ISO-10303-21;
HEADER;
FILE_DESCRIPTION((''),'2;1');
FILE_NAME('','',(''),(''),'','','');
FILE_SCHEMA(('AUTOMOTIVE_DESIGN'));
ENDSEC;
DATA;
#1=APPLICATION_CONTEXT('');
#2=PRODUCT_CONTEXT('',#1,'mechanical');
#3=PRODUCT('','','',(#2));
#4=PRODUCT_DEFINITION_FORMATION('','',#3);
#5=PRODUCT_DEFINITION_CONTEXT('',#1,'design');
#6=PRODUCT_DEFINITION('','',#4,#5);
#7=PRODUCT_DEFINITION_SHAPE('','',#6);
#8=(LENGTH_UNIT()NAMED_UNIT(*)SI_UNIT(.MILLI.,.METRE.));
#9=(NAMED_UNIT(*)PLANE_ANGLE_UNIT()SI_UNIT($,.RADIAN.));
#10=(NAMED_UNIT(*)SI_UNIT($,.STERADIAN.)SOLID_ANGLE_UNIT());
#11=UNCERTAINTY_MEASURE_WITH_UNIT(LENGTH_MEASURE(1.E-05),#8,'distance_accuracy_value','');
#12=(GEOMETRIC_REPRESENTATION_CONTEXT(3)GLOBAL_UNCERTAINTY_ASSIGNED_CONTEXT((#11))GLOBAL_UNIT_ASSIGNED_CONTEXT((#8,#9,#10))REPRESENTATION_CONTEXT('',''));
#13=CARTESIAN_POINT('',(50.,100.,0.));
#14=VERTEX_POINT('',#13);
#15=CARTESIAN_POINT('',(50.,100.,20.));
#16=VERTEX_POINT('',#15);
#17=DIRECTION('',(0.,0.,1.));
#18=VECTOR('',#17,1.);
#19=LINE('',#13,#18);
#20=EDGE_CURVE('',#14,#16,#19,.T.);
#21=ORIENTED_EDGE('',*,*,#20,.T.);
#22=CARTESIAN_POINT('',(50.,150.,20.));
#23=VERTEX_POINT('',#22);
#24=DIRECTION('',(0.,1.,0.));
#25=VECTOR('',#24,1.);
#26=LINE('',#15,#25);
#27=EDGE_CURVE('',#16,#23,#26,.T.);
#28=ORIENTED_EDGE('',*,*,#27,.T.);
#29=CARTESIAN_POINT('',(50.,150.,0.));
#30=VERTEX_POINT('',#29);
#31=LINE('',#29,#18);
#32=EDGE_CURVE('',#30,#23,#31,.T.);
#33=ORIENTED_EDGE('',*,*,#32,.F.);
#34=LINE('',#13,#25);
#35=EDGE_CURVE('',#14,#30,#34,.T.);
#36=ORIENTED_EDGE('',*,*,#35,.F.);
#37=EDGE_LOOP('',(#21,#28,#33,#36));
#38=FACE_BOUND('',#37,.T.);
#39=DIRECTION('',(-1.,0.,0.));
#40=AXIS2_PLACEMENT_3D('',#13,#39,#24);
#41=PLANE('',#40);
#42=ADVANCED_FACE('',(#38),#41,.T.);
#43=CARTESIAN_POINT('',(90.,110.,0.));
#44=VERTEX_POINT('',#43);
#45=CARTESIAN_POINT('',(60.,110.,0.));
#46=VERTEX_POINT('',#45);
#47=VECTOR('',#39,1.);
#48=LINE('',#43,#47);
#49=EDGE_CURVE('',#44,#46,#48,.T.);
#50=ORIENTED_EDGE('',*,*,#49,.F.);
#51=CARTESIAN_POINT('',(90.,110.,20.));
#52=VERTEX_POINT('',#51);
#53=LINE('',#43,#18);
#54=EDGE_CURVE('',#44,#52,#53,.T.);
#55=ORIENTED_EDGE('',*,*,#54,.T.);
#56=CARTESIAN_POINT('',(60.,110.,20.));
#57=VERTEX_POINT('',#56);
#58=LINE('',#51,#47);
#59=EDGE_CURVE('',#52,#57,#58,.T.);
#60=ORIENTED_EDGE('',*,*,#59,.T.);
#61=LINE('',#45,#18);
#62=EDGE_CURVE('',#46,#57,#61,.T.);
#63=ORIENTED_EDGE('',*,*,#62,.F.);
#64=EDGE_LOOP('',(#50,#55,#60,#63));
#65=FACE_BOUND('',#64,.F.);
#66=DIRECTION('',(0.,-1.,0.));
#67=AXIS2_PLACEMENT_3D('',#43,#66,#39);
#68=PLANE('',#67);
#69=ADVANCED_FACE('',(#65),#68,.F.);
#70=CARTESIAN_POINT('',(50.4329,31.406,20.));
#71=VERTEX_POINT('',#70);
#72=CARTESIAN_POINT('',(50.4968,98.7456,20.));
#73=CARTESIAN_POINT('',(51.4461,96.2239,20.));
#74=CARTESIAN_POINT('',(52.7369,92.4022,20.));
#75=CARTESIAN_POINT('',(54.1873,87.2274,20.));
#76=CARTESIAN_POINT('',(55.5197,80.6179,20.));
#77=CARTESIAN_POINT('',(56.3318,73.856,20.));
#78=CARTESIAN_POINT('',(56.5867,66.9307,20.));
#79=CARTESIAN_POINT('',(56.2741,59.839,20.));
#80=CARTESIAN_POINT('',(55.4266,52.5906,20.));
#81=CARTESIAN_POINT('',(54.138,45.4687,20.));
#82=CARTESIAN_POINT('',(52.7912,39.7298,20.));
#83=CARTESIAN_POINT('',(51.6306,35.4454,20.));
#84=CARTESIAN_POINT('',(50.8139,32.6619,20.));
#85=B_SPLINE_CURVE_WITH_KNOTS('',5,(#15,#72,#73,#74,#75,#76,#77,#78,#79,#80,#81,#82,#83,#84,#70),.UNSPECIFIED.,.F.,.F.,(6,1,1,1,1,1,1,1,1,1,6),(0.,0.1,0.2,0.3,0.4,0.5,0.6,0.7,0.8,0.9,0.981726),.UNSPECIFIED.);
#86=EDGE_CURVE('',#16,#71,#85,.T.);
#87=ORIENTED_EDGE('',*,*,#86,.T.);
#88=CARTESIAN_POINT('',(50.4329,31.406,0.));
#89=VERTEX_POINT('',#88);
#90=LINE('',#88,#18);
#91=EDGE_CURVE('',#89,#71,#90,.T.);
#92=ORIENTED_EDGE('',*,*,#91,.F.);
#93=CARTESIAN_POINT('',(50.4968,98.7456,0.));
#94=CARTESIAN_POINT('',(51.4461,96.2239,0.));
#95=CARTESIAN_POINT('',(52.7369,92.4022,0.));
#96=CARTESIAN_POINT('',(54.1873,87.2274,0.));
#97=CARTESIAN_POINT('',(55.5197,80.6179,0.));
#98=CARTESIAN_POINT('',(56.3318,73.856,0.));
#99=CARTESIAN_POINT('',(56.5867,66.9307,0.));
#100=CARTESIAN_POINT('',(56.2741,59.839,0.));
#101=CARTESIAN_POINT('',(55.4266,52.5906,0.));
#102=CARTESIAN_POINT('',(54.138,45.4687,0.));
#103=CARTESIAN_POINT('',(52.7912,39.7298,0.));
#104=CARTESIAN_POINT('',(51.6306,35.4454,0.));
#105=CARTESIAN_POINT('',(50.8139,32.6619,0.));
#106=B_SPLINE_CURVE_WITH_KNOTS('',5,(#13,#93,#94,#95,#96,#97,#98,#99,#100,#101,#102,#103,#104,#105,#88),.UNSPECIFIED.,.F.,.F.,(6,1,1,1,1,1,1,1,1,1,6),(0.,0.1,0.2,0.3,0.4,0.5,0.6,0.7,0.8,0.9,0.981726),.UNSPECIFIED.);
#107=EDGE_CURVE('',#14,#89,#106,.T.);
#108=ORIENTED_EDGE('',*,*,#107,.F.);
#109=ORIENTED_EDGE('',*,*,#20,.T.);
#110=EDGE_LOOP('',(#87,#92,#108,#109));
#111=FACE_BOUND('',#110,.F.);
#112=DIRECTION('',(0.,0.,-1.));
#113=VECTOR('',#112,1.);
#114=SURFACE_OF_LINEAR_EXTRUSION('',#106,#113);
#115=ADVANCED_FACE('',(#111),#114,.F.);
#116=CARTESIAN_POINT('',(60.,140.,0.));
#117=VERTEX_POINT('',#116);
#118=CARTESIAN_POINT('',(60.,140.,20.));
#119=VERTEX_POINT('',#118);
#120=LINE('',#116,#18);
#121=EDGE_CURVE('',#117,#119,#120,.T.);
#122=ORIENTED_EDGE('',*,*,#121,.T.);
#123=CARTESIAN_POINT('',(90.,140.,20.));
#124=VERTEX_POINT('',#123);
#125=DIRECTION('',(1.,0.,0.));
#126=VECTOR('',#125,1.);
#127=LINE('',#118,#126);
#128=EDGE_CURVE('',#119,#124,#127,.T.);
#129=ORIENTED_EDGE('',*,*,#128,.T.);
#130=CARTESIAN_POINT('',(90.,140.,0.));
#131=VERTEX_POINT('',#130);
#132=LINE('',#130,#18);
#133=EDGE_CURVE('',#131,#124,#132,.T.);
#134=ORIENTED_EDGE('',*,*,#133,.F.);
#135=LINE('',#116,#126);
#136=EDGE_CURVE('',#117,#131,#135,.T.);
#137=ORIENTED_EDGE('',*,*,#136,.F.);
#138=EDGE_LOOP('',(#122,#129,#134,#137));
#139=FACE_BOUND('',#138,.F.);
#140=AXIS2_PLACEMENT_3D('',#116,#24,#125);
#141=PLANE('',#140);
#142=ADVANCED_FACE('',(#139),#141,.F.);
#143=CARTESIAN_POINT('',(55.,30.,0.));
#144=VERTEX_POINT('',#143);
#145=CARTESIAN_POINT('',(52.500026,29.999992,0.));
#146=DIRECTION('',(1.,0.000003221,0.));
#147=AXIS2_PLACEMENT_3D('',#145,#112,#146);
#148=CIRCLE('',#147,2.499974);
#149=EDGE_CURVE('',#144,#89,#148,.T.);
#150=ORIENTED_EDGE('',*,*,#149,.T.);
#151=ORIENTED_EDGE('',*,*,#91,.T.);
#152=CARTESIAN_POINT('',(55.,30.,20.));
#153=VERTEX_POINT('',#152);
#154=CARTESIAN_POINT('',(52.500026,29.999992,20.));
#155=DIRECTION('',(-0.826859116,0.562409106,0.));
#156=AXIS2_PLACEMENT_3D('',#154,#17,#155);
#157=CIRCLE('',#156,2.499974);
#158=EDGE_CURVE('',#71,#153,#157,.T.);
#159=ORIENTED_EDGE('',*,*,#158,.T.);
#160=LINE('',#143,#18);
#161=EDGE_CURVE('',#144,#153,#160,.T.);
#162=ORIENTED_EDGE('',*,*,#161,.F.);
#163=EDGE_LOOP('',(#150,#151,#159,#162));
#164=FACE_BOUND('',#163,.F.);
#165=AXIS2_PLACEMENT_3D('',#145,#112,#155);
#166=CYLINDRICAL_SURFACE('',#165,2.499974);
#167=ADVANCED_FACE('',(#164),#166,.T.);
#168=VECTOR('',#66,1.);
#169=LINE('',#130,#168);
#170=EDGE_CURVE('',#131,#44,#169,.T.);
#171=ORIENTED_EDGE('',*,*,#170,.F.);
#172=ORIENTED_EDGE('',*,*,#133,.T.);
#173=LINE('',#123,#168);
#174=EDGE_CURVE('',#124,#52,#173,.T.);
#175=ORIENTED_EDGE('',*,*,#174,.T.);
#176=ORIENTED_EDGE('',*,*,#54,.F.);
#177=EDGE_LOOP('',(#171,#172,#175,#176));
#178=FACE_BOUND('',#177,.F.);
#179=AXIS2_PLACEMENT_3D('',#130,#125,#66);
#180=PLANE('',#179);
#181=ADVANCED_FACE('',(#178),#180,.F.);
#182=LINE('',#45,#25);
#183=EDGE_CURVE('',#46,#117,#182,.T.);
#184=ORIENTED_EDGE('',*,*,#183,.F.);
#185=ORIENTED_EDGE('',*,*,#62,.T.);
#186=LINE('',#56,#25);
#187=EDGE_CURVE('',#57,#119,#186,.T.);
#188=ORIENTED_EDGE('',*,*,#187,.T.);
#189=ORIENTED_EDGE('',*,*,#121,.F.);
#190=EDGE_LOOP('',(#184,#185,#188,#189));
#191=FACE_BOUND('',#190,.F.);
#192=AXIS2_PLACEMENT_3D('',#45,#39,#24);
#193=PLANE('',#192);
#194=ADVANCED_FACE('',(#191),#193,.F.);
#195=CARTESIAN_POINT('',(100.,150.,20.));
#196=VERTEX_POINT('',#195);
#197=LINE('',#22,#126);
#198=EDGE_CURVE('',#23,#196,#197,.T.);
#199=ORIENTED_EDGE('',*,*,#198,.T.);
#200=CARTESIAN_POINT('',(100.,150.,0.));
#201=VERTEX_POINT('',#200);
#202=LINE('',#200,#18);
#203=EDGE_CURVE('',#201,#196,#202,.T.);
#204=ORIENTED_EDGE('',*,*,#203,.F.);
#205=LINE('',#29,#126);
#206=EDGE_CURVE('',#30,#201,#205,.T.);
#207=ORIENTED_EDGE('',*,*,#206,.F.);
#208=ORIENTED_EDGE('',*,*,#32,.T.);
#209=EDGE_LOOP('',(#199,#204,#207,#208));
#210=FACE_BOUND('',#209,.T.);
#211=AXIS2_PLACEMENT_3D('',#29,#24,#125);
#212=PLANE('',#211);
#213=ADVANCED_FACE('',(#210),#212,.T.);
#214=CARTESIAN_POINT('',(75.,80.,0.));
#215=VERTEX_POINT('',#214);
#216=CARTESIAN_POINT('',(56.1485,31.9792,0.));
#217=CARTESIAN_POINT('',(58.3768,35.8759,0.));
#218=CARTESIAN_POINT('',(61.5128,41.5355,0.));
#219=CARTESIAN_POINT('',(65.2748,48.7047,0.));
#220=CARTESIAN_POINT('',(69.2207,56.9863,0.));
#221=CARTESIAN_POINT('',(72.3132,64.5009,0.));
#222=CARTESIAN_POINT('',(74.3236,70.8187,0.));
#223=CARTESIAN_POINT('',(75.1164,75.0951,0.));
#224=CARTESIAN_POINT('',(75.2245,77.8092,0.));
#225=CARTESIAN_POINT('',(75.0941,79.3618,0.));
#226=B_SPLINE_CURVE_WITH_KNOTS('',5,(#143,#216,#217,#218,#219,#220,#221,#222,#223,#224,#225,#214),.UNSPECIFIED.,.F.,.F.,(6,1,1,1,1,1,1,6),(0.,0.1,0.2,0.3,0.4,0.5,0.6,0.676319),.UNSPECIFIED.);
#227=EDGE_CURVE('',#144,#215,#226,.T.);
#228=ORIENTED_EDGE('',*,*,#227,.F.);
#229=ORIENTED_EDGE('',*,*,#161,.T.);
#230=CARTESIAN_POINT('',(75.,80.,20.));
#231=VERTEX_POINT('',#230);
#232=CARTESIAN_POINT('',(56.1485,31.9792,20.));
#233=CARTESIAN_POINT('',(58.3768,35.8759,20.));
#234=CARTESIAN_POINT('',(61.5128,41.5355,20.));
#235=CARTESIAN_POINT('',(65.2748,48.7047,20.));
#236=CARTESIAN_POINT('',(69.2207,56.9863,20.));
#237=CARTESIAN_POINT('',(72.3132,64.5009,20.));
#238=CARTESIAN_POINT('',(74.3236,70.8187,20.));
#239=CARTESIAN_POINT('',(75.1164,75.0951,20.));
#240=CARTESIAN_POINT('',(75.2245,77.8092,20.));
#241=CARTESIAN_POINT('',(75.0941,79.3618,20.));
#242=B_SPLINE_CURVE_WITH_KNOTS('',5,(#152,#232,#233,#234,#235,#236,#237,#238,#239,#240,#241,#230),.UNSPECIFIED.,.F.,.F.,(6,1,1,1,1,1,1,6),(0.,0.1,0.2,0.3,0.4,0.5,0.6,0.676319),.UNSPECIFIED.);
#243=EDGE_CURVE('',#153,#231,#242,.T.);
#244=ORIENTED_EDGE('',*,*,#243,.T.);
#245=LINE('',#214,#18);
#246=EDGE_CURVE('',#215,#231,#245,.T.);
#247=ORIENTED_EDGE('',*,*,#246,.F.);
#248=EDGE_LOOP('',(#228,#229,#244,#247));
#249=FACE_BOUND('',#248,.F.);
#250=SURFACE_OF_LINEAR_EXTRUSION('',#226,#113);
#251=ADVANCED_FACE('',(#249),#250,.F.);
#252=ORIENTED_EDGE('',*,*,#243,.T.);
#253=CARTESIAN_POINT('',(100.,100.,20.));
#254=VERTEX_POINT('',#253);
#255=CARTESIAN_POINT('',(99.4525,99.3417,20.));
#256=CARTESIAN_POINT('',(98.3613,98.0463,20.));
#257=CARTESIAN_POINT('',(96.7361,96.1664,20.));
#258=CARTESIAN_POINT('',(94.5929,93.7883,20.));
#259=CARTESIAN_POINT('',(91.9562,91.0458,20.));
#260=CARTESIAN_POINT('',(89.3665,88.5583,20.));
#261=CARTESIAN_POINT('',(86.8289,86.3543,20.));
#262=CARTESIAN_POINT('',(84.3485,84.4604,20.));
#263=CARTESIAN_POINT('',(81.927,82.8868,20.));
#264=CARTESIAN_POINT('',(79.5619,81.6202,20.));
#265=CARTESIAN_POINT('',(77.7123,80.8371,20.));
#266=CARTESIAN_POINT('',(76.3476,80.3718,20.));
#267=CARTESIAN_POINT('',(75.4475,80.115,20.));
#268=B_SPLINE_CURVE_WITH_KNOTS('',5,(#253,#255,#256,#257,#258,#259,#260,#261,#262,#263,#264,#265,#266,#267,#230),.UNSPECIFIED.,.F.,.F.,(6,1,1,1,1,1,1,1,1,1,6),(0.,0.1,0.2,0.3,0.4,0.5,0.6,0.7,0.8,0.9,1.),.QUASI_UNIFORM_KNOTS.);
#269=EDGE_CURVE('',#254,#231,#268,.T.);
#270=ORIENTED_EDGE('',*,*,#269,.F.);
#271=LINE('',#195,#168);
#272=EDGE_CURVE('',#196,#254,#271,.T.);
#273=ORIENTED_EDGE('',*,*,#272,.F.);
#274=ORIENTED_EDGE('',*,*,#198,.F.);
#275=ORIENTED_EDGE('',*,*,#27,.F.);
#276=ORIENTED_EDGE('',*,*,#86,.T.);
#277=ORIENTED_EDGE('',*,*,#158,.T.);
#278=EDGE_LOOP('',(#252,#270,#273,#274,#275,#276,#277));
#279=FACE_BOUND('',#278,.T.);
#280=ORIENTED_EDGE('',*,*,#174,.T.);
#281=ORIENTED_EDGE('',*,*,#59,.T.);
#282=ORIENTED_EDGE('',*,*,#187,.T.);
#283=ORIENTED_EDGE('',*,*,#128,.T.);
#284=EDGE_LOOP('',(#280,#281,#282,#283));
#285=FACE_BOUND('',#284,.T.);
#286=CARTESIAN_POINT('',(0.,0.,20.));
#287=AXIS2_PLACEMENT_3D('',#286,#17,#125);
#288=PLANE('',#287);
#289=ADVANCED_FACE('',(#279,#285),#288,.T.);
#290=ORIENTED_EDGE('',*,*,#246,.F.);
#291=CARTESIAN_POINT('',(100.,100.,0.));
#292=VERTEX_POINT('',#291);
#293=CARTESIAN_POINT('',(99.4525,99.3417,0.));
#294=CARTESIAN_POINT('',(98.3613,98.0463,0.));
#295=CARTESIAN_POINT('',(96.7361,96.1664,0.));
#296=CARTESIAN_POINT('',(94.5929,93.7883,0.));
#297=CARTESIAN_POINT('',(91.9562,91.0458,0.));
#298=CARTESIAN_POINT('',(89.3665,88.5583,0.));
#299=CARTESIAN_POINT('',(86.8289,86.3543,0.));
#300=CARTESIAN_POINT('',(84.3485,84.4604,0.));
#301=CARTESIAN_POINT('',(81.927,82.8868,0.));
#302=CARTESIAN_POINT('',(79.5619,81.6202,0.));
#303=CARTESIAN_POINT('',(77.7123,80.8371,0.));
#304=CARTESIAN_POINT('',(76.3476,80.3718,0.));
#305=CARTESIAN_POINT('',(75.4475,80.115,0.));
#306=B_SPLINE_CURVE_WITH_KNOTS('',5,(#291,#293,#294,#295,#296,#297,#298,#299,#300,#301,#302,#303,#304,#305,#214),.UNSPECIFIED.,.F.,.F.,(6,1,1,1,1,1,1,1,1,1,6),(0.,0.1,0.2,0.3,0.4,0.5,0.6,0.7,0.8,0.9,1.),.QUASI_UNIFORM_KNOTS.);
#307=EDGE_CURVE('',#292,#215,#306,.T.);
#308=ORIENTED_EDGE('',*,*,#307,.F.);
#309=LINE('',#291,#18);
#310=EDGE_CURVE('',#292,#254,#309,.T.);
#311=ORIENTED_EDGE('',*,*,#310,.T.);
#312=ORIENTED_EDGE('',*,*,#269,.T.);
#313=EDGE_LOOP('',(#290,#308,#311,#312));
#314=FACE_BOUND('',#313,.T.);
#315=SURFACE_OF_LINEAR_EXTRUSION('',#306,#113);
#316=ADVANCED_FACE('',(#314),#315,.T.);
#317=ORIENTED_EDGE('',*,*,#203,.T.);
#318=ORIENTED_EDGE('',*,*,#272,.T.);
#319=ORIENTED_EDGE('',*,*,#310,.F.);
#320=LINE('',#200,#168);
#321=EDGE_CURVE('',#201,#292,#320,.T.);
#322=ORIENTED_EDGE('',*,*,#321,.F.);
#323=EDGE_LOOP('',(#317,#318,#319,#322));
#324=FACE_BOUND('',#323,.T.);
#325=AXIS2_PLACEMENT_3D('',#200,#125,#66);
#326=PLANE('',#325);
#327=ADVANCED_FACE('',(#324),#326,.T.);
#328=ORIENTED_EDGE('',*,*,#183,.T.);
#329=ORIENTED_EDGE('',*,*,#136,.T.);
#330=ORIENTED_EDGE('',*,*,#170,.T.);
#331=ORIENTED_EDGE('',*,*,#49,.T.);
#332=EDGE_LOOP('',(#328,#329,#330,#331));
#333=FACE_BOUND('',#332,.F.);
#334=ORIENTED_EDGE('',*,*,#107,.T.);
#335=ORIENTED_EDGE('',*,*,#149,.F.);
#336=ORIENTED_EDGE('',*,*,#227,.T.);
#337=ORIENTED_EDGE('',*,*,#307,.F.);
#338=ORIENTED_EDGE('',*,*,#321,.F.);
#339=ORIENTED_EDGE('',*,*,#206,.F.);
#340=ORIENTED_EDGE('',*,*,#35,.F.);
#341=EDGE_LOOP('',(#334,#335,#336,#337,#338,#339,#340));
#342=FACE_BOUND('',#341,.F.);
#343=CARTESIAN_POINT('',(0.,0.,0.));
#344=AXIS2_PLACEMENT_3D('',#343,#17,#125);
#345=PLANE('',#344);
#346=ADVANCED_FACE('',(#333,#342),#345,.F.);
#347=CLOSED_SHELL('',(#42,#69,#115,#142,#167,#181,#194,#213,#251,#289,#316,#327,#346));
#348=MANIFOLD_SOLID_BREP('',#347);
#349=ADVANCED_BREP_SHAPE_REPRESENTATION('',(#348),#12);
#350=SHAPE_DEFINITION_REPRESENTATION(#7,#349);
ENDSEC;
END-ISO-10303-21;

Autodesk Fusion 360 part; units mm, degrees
sketch "Sketch1" plane through (0, 0, 0) normal (0, 0, 1) x (1, 0, 0)
  line L0 (50, 150) -> (100, 150)
  line L1 (100, 150) -> (100, 100)
  line L2 (50, 100) -> (50, 150)
  spline S0 degree 5 poles (100, 100) (99.4525, 99.3417) (98.3613, 98.0463) (96.7361, 96.1664) (94.5929, 93.7883) (91.9562, 91.0458) (89.3665, 88.5583) (86.8289, 86.3543) (84.3485, 84.4604) (81.927, 82.8868) (79.5619, 81.6202) (77.7123, 80.8371) (76.3476, 80.3718) (75.4475, 80.115) (75, 80) knots 0 0 0 0 0 0 0.1 0.2 0.3 0.4 0.5 0.6 0.7 0.8 0.9 1 1 1 1 1 1
  spline S1 degree 5 poles (55, 30) (56.1485, 31.9792) (58.3768, 35.8759) (61.5128, 41.5355) (65.2748, 48.7047) (69.2207, 56.9863) (72.3132, 64.5009) (74.3236, 70.8187) (75.1164, 75.0951) (75.2245, 77.8092) (75.0941, 79.3618) (75, 80) knots 0 0 0 0 0 0 0.1 0.2 0.3 0.4 0.5 0.6 0.676319 0.676319 0.676319 0.676319 0.676319 0.676319
  line L3 (75.4166, 77.1741) -> (74.5834, 82.8259)
  arc A0 (50.4329, 31.406) -> (55, 30) centre (52.5, 30) ccw
  spline S2 degree 5 poles (50, 100) (50.4968, 98.7456) (51.4461, 96.2239) (52.7369, 92.4022) (54.1873, 87.2274) (55.5197, 80.6179) (56.3318, 73.856) (56.5867, 66.9307) (56.2741, 59.839) (55.4266, 52.5906) (54.138, 45.4687) (52.7912, 39.7298) (51.6306, 35.4454) (50.8139, 32.6619) (50.4329, 31.406) knots 0 0 0 0 0 0 0.1 0.2 0.3 0.4 0.5 0.6 0.7 0.8 0.9 0.981726 0.981726 0.981726 0.981726 0.981726 0.981726
  line L4 (52.6247, 38.6303) -> (48.241, 24.1818)
  line L5 (60, 140) -> (90, 140)
  line L6 (90, 140) -> (90, 110)
  line L7 (90, 110) -> (60, 110)
  line L8 (60, 110) -> (60, 140)
  point P0 (56.4359, 68.5598)
  point P1 (85, 85)
extrude "Extrude1" add sketch "Sketch1" along normal blind 20
